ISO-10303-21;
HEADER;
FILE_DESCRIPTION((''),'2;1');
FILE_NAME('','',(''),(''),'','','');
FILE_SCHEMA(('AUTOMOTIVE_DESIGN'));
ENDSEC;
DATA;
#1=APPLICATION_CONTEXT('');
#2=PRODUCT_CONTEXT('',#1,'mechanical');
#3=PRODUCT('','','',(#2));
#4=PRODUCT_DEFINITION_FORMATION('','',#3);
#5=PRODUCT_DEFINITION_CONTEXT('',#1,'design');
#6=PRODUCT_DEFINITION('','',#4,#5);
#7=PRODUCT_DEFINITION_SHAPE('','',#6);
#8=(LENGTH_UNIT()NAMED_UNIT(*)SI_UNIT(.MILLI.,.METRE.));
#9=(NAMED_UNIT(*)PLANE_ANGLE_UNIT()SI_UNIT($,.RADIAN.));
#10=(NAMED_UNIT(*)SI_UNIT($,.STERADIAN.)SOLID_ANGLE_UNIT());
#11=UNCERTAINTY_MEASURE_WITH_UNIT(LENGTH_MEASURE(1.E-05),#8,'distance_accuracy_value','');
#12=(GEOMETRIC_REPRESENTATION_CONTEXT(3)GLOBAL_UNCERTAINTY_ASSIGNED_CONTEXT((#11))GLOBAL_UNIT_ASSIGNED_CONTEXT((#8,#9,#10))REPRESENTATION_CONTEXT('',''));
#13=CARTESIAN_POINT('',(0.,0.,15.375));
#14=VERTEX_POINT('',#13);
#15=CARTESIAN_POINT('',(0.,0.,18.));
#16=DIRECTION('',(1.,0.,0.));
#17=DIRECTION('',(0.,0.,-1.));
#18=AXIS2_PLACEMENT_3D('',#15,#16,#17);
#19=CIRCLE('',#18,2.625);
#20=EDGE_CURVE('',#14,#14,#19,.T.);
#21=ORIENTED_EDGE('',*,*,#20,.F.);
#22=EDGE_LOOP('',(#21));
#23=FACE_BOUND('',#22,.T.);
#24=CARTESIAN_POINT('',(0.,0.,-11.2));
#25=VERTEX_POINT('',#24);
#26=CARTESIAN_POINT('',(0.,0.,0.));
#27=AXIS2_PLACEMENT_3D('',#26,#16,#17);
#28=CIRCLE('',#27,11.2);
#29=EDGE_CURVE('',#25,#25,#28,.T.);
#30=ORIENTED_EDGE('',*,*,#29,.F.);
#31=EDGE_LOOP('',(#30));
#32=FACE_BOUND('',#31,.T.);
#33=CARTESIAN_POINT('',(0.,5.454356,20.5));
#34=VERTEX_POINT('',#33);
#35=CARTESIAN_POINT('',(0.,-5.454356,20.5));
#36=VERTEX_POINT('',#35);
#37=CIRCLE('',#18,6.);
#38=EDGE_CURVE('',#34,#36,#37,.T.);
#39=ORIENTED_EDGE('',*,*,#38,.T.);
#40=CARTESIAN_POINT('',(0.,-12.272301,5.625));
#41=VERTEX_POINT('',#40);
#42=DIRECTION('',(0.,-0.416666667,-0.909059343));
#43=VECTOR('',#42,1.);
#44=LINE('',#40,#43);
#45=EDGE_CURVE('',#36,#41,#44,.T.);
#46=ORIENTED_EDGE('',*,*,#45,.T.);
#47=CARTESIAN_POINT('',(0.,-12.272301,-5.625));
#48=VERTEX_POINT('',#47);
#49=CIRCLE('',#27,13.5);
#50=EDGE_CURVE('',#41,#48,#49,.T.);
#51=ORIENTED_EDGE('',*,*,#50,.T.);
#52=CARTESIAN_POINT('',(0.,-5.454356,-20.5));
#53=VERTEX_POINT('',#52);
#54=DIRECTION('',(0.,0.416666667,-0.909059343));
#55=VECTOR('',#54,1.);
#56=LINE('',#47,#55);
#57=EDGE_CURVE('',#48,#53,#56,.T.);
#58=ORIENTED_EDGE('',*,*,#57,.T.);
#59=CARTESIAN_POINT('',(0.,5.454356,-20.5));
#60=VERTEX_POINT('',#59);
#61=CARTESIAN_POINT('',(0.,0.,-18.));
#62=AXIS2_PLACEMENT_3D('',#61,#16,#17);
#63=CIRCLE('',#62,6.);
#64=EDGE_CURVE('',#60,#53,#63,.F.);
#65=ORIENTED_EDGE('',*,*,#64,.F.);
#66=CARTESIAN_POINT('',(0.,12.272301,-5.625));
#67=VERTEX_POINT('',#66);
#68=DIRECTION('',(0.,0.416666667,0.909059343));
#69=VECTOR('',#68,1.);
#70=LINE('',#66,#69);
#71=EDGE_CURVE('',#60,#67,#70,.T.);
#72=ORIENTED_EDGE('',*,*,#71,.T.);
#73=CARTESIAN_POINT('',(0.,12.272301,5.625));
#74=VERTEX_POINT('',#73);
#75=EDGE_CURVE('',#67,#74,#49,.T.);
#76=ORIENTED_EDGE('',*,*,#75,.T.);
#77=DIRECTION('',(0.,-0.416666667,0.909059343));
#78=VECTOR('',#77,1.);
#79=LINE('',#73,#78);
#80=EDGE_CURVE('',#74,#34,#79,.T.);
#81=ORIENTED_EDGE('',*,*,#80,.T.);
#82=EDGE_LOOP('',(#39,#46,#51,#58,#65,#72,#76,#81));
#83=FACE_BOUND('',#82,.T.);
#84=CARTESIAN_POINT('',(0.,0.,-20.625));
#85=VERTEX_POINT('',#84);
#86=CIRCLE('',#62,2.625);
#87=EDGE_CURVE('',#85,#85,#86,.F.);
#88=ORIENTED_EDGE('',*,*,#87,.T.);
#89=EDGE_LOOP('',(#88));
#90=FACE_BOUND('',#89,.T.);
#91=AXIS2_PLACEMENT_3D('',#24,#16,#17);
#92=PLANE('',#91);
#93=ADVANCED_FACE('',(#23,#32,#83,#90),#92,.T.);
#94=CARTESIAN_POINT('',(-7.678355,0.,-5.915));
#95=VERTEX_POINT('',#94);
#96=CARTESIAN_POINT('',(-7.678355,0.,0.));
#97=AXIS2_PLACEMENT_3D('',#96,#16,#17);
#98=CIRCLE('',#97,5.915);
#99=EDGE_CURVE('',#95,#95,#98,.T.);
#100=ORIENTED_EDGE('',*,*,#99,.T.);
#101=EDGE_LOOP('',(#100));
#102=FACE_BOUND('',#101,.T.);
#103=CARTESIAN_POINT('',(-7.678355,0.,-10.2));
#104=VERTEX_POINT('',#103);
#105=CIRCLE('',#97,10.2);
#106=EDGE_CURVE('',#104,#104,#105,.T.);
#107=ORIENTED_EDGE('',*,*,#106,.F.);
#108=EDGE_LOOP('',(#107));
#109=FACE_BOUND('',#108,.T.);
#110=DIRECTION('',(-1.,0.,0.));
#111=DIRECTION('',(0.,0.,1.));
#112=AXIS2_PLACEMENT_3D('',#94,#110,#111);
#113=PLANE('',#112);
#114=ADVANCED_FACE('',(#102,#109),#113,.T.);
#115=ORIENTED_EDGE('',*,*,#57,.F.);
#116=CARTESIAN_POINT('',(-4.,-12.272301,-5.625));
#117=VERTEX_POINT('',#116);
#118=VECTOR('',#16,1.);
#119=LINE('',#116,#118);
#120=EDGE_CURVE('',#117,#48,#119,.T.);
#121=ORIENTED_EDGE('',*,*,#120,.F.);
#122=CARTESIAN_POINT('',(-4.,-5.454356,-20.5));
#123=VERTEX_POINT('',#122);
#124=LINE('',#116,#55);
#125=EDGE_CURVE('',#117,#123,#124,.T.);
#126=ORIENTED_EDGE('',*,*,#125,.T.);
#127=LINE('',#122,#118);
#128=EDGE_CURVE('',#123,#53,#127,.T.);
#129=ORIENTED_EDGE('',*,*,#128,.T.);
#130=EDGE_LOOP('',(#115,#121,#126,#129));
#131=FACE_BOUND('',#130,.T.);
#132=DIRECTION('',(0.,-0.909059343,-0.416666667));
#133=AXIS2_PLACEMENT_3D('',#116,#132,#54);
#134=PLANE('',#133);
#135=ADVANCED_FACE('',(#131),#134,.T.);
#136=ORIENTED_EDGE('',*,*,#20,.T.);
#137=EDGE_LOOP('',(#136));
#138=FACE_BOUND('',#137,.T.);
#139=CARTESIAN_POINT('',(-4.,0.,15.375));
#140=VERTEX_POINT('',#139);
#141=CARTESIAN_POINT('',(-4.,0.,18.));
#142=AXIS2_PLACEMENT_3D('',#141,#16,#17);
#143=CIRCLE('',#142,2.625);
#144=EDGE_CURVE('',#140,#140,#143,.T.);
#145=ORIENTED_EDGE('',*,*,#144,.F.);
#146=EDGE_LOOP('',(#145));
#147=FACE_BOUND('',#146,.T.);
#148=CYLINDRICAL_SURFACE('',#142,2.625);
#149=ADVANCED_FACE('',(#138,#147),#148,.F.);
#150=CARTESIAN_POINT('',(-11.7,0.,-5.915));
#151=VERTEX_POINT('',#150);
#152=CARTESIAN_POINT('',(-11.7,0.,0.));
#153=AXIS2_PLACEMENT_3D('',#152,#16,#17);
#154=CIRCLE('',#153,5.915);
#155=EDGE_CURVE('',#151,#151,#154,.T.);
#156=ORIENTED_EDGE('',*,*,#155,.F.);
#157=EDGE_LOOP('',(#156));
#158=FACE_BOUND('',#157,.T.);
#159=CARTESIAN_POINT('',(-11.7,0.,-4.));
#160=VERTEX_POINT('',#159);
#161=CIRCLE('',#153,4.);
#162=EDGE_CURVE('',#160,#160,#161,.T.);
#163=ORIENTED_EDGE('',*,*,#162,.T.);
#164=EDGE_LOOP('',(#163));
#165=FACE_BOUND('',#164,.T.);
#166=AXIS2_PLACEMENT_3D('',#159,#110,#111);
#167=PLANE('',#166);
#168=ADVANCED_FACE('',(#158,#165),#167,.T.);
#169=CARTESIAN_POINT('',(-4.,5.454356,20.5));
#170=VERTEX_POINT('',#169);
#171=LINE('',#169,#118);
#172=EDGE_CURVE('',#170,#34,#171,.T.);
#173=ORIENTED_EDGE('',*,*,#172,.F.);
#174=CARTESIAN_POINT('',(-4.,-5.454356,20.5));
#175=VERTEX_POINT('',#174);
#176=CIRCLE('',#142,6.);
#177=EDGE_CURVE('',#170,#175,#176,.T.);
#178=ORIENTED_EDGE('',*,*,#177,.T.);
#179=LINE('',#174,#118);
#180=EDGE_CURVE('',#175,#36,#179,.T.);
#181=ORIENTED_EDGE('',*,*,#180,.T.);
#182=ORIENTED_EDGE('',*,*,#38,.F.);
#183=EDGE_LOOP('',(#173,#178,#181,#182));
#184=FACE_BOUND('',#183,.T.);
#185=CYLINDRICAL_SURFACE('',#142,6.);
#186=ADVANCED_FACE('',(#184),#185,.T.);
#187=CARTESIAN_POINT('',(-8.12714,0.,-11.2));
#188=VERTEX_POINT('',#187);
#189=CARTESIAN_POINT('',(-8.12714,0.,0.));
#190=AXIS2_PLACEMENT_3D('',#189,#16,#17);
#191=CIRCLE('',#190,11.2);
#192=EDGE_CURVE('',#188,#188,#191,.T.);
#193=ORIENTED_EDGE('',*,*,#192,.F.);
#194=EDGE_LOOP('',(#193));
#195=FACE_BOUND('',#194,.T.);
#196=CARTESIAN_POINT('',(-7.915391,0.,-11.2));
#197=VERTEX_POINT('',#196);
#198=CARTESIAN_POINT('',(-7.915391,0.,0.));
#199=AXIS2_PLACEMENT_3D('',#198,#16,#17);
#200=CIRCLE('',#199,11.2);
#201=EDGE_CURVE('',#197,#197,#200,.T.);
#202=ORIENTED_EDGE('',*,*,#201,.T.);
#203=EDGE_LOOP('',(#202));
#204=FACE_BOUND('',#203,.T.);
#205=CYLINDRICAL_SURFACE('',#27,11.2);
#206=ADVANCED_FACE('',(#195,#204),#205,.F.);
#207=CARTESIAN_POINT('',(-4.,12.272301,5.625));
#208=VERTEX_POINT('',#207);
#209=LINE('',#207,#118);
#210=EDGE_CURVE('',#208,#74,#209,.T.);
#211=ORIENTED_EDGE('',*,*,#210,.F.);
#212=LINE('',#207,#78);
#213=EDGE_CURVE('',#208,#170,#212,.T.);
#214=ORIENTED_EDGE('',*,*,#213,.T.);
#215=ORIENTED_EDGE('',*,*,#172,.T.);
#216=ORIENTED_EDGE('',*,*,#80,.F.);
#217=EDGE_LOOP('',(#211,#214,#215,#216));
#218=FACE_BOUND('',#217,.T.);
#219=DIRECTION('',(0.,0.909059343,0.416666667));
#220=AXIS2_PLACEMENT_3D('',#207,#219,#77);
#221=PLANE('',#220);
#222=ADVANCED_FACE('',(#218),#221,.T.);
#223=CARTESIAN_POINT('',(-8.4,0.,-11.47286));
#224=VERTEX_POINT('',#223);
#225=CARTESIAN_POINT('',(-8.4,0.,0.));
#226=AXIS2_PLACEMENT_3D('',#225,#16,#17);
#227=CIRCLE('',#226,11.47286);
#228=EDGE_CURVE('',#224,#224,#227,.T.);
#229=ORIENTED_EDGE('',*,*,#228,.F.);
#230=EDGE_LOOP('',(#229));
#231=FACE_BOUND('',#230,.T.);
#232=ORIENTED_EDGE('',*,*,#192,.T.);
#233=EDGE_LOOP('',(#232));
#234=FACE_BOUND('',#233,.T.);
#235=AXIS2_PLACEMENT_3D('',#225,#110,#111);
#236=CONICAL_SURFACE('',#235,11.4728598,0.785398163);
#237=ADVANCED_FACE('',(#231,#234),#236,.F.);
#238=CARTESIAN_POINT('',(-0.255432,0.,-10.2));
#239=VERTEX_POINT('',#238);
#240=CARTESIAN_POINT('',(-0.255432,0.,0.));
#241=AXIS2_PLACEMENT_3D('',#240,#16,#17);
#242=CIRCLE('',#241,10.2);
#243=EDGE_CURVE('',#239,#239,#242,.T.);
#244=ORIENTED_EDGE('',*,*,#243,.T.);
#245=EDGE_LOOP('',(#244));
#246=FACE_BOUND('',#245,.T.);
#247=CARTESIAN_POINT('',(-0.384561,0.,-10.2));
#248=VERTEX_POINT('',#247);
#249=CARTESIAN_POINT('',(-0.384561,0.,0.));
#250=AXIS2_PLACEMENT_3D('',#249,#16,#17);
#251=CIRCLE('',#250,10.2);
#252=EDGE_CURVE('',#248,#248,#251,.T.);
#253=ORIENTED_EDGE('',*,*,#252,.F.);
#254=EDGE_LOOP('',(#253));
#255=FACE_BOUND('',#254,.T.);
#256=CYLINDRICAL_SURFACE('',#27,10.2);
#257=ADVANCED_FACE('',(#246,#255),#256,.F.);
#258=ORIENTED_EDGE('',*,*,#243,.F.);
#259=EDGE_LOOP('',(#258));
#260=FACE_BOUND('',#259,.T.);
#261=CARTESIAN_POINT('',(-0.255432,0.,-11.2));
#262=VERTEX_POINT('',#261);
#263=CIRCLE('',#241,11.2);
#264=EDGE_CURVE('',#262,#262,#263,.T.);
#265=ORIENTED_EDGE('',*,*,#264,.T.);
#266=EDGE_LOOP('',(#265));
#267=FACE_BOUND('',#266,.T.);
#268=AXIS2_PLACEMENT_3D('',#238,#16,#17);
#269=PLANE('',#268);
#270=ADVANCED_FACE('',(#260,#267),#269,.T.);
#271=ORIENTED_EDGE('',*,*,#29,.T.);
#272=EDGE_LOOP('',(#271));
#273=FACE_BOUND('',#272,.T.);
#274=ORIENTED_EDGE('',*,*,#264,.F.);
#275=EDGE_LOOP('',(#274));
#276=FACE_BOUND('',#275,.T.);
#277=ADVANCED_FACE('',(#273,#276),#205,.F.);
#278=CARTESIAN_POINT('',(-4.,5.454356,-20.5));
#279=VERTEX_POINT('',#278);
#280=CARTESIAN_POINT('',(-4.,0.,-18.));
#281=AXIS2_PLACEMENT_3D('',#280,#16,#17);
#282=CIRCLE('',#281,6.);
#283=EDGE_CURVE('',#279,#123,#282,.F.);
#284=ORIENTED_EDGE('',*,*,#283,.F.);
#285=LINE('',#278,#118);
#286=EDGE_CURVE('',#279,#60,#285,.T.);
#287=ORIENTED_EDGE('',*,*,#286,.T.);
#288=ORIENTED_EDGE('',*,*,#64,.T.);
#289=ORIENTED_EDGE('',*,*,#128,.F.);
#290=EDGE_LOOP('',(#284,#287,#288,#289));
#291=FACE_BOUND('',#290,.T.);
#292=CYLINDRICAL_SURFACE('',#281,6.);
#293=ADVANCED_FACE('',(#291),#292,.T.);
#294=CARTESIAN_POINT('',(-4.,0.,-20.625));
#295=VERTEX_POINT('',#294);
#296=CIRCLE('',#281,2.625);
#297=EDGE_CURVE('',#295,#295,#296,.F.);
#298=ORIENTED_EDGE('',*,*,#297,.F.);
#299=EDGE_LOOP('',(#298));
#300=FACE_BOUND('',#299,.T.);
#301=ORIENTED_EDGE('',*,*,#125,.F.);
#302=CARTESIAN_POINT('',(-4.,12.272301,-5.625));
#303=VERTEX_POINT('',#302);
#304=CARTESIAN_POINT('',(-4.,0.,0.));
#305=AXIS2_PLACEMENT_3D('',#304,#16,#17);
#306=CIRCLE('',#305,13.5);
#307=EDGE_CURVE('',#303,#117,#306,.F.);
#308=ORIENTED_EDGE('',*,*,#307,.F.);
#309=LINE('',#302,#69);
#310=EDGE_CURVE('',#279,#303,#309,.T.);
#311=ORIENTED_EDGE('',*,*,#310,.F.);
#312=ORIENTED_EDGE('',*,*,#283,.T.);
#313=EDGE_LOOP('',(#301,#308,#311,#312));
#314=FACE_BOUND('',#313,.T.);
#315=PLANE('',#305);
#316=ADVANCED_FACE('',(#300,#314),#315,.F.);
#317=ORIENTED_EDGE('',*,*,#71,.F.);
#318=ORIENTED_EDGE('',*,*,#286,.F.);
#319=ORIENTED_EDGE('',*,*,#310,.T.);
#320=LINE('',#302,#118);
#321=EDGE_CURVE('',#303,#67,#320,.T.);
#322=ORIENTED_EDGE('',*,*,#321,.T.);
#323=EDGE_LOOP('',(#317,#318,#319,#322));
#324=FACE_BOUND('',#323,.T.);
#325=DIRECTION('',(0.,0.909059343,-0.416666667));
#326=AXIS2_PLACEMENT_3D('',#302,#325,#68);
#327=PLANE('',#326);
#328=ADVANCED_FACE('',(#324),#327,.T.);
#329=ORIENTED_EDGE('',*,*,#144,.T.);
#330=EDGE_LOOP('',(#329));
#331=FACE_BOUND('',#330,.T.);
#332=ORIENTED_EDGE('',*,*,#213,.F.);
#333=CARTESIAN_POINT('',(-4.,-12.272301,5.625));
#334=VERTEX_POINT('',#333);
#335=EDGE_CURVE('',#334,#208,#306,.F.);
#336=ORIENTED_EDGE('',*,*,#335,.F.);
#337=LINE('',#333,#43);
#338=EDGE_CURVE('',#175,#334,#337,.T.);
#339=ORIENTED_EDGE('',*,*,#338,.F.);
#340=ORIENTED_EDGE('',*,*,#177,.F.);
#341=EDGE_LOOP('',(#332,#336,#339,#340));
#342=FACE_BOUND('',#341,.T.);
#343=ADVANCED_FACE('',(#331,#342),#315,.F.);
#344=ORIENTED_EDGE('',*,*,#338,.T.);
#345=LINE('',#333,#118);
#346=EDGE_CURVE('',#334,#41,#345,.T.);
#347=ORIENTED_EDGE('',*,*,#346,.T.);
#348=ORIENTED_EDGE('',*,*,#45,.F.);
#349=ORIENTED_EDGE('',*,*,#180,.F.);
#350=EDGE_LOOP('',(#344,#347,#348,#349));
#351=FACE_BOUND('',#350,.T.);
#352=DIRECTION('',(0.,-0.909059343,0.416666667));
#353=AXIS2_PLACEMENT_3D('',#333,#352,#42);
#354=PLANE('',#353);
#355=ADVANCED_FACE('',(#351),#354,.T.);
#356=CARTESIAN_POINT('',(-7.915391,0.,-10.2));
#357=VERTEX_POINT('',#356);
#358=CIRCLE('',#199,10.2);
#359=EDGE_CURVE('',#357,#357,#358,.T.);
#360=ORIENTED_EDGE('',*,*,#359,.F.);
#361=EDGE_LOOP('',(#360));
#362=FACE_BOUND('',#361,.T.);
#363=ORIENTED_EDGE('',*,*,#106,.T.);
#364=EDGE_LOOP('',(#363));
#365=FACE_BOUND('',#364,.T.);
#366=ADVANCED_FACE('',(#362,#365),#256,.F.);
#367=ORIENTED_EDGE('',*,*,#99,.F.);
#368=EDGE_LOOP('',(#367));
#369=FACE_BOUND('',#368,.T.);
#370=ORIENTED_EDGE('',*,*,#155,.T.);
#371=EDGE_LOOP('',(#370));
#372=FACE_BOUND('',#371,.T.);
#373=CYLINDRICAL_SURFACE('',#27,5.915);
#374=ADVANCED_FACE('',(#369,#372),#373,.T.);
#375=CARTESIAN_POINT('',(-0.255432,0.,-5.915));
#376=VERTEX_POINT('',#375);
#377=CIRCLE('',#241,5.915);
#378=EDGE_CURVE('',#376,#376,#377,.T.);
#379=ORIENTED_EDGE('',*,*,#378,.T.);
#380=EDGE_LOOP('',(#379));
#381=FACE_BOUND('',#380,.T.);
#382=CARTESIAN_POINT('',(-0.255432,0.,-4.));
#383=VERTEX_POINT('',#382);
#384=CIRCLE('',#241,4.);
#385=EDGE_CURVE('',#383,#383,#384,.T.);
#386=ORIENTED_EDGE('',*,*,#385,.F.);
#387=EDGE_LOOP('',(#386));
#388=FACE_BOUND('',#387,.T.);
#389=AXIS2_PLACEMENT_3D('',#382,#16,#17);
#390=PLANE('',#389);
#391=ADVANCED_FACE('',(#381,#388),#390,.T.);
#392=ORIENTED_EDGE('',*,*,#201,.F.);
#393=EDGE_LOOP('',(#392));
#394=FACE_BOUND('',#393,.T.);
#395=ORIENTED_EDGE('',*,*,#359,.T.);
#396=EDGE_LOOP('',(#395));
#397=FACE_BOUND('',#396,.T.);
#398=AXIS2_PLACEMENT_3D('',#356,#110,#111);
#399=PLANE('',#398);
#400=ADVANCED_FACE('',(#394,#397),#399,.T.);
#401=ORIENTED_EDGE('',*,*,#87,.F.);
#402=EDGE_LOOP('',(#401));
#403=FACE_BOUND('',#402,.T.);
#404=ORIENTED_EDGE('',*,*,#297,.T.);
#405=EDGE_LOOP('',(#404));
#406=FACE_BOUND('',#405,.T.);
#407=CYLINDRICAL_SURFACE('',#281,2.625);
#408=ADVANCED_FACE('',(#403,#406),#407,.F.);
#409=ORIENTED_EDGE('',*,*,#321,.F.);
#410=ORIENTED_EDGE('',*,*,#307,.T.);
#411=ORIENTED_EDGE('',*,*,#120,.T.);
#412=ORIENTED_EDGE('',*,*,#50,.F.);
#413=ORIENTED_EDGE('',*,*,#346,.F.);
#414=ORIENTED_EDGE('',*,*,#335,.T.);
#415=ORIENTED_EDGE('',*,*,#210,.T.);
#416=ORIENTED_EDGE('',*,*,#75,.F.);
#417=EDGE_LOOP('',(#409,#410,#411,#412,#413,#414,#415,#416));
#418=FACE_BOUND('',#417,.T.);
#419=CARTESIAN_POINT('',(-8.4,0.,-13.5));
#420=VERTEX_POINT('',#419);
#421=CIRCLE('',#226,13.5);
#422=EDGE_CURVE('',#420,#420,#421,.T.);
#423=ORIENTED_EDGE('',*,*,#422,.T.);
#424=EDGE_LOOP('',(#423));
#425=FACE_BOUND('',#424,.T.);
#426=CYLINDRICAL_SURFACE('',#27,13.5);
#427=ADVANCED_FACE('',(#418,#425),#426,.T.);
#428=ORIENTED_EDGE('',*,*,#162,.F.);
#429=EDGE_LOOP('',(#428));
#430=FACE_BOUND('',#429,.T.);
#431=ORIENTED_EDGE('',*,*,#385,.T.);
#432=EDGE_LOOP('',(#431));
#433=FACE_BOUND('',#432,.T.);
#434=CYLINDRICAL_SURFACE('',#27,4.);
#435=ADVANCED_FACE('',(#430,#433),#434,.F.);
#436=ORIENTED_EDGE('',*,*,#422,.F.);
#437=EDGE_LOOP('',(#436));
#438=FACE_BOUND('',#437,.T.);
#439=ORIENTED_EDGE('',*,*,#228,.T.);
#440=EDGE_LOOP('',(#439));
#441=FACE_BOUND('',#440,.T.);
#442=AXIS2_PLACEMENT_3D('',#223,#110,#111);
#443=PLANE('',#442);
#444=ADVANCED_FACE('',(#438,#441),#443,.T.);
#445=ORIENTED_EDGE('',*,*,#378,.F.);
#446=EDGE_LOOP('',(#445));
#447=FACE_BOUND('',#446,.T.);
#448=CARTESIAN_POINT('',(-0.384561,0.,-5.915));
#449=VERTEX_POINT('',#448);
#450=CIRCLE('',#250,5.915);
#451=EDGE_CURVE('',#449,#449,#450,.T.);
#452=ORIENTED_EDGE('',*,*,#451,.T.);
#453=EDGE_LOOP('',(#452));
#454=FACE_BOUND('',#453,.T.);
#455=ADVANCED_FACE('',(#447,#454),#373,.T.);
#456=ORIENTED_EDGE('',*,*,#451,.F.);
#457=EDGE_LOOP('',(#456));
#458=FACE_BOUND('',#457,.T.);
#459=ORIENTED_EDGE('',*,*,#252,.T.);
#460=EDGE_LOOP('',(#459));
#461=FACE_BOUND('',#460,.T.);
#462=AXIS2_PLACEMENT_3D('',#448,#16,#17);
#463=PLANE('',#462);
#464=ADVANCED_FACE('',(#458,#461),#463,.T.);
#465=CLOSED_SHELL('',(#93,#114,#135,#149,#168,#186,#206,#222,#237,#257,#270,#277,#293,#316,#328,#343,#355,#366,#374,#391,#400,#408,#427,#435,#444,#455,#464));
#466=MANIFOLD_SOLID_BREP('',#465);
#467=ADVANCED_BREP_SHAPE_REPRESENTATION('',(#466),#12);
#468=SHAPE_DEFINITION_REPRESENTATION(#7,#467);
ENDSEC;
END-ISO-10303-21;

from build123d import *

# Parameters (mm, degrees)
SKETCH4_R           = 11.2
SKETCH4_R_2         = 2.625
BOSS_EXTRUDE3_DEPTH = 4


with BuildPart() as part:
    # Sketch2 → Revolve1 (revolve)
    with BuildSketch(Plane(origin=(0, 0, 0), x_dir=(1, 0, 0), z_dir=(0, 1, 0))):
        Polygon((-0.255431619, 4), (-11.7, 4), (-11.7, 5.915), (-7.678354549, 5.915), (-7.678354549, 10.2), (-7.915390692, 10.2), (-7.915390692, 11.2), (-8.1271402, 11.2), (-8.4, 11.4728598), (-8.4, 13.5), (0, 13.5), (0, 11.2), (-0.255431619, 11.2), (-0.255431619, 10.2), (-0.384561477, 10.2), (-0.384561477, 5.915), (-0.255431619, 5.915), align=None)
    revolve(axis=Axis((0, 0, 0), (-1, 0, 0)))

    # Sketch4 → Boss-Extrude3 (add)
    with BuildSketch(Plane(origin=(0, 0, 0), x_dir=(0, 0, -1), z_dir=(1, 0, 0))):
        with BuildLine():
            ThreePointArc((20.5, 5.454356057), (24, 0), (20.5, -5.454356057))
            Line((20.5, -5.454356057), (5.625, -12.272301129))
            ThreePointArc((5.625, -12.272301129), (0, -13.5), (-5.625, -12.272301129))
            Line((-5.625, -12.272301129), (-20.5, -5.454356057))
            ThreePointArc((-20.5, -5.454356057), (-24, 0), (-20.5, 5.454356057))
            Line((-20.5, 5.454356057), (-5.625, 12.272301129))
            ThreePointArc((-5.625, 12.272301129), (0, 13.5), (5.625, 12.272301129))
            Line((5.625, 12.272301129), (20.5, 5.454356057))
        make_face()
        Circle(SKETCH4_R, mode=Mode.SUBTRACT)
        with Locations((-18, 0)):
            Circle(SKETCH4_R_2, mode=Mode.SUBTRACT)
        with Locations((18, 0)):
            Circle(SKETCH4_R_2, mode=Mode.SUBTRACT)
    extrude(amount=-BOSS_EXTRUDE3_DEPTH)


solid = part.part
